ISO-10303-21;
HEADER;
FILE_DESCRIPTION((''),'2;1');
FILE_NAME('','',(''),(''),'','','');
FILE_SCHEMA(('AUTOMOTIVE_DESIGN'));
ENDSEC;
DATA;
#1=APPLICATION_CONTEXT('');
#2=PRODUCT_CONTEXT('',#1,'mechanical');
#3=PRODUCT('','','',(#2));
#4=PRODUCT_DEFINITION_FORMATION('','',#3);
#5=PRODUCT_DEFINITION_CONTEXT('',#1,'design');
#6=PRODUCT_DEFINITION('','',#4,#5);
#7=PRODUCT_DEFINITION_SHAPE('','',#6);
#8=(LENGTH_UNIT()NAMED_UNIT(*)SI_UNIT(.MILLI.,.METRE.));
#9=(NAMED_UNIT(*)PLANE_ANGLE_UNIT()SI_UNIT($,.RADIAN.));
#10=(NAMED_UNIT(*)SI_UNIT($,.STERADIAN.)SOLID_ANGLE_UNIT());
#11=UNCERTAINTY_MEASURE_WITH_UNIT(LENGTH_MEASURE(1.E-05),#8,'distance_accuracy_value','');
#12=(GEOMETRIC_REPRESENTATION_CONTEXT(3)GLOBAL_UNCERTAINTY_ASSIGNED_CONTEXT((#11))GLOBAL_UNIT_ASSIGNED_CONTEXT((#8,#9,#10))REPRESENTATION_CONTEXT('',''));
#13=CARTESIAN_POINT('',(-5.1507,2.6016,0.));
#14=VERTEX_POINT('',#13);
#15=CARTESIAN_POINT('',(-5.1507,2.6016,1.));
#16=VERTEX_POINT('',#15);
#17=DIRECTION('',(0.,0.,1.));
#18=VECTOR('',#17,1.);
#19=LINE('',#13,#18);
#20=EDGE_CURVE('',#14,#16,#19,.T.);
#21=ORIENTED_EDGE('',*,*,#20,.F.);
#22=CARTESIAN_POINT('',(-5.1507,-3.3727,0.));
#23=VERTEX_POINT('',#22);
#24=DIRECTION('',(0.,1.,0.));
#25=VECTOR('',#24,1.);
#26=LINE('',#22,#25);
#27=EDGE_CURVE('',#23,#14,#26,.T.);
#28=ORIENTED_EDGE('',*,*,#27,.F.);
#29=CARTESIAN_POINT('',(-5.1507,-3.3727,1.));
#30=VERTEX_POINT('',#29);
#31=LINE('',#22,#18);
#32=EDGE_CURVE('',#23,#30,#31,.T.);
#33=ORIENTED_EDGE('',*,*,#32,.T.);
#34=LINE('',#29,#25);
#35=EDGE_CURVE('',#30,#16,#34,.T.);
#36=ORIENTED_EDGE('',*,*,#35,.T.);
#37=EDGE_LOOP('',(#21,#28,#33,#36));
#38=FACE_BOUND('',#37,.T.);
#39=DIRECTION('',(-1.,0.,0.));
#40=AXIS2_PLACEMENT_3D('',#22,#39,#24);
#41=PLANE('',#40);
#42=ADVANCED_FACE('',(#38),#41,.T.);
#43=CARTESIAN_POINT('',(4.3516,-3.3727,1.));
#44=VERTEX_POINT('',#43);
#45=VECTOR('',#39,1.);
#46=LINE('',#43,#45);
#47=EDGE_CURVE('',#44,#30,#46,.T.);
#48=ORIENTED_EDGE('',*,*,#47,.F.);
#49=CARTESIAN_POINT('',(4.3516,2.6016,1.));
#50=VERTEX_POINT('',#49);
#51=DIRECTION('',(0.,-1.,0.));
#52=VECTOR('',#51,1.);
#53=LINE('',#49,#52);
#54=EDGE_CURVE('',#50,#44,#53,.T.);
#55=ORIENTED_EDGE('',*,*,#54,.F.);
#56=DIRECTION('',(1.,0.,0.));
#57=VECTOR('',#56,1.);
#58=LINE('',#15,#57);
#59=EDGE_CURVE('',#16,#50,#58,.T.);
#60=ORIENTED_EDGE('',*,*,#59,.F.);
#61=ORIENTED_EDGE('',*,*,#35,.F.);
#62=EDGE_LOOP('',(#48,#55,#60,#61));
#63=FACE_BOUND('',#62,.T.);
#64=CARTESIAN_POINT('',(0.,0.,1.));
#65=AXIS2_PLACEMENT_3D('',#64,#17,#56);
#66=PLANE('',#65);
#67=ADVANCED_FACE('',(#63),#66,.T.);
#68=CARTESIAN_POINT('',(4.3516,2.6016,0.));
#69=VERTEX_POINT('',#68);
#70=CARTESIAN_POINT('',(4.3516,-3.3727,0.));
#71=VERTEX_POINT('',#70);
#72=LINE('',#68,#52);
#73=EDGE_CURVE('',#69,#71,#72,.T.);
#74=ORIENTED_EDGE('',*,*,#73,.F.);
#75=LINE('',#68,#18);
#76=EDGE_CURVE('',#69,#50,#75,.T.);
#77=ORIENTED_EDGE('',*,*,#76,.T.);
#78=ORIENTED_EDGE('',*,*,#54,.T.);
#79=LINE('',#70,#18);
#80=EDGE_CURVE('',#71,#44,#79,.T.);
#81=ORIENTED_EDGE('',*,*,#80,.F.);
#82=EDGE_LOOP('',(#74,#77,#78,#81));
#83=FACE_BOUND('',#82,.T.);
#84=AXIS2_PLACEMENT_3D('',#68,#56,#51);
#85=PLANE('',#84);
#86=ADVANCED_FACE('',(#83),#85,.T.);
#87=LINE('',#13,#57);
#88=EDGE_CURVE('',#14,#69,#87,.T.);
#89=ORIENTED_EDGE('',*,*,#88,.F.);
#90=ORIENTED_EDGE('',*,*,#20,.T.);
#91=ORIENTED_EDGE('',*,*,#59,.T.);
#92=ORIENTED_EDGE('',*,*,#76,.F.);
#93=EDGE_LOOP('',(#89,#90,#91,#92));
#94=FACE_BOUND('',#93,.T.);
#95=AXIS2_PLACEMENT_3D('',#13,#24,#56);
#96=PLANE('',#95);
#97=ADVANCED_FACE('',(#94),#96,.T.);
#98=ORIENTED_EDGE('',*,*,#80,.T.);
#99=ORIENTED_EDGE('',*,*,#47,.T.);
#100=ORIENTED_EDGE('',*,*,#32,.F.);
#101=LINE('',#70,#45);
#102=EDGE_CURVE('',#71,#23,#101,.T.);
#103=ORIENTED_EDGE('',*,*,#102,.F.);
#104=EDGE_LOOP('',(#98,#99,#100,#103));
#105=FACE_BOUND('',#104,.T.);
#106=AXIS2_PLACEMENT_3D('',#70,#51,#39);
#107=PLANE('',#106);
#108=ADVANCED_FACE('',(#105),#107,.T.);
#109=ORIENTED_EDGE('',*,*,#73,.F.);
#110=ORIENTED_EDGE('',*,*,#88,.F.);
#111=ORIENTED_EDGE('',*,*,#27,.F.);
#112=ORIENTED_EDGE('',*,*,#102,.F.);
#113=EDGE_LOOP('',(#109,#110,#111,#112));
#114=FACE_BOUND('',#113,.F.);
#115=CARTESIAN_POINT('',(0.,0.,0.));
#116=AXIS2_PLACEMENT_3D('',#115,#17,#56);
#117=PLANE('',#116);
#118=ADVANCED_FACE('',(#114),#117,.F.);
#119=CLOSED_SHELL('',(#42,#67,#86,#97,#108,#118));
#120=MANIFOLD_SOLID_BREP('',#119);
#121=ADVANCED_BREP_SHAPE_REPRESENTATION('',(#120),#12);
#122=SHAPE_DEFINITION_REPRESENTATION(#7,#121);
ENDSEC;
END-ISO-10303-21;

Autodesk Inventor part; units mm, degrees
ref_plane "YZ Plane" through (0, 0, 0) normal (1, 0, 0) x (0, 1, 0)
ref_plane "XZ Plane" through (0, 0, 0) normal (0, 1, 0) x (-1, 0, 0)
ref_plane "XY Plane" through (0, 0, 0) normal (0, 0, 1) x (1, 0, 0)
sketch "SSOP24, TB6612FNG_56" plane through (0, 0, 0) normal (0, 0, 1) x (1, 0, 0)
  line L0 (-5.1507, 2.6016) -> (4.3516, 2.6016)
  line L1 (4.3516, 2.6016) -> (4.3516, -3.3727)
  line L2 (4.3516, -3.3727) -> (-5.1507, -3.3727)
  line L3 (-5.1507, -3.3727) -> (-5.1507, 2.6016)
extrude "Extrusion1" add sketch "SSOP24, TB6612FNG_56" along normal blind 1
properties part number "TB6612FNG"
